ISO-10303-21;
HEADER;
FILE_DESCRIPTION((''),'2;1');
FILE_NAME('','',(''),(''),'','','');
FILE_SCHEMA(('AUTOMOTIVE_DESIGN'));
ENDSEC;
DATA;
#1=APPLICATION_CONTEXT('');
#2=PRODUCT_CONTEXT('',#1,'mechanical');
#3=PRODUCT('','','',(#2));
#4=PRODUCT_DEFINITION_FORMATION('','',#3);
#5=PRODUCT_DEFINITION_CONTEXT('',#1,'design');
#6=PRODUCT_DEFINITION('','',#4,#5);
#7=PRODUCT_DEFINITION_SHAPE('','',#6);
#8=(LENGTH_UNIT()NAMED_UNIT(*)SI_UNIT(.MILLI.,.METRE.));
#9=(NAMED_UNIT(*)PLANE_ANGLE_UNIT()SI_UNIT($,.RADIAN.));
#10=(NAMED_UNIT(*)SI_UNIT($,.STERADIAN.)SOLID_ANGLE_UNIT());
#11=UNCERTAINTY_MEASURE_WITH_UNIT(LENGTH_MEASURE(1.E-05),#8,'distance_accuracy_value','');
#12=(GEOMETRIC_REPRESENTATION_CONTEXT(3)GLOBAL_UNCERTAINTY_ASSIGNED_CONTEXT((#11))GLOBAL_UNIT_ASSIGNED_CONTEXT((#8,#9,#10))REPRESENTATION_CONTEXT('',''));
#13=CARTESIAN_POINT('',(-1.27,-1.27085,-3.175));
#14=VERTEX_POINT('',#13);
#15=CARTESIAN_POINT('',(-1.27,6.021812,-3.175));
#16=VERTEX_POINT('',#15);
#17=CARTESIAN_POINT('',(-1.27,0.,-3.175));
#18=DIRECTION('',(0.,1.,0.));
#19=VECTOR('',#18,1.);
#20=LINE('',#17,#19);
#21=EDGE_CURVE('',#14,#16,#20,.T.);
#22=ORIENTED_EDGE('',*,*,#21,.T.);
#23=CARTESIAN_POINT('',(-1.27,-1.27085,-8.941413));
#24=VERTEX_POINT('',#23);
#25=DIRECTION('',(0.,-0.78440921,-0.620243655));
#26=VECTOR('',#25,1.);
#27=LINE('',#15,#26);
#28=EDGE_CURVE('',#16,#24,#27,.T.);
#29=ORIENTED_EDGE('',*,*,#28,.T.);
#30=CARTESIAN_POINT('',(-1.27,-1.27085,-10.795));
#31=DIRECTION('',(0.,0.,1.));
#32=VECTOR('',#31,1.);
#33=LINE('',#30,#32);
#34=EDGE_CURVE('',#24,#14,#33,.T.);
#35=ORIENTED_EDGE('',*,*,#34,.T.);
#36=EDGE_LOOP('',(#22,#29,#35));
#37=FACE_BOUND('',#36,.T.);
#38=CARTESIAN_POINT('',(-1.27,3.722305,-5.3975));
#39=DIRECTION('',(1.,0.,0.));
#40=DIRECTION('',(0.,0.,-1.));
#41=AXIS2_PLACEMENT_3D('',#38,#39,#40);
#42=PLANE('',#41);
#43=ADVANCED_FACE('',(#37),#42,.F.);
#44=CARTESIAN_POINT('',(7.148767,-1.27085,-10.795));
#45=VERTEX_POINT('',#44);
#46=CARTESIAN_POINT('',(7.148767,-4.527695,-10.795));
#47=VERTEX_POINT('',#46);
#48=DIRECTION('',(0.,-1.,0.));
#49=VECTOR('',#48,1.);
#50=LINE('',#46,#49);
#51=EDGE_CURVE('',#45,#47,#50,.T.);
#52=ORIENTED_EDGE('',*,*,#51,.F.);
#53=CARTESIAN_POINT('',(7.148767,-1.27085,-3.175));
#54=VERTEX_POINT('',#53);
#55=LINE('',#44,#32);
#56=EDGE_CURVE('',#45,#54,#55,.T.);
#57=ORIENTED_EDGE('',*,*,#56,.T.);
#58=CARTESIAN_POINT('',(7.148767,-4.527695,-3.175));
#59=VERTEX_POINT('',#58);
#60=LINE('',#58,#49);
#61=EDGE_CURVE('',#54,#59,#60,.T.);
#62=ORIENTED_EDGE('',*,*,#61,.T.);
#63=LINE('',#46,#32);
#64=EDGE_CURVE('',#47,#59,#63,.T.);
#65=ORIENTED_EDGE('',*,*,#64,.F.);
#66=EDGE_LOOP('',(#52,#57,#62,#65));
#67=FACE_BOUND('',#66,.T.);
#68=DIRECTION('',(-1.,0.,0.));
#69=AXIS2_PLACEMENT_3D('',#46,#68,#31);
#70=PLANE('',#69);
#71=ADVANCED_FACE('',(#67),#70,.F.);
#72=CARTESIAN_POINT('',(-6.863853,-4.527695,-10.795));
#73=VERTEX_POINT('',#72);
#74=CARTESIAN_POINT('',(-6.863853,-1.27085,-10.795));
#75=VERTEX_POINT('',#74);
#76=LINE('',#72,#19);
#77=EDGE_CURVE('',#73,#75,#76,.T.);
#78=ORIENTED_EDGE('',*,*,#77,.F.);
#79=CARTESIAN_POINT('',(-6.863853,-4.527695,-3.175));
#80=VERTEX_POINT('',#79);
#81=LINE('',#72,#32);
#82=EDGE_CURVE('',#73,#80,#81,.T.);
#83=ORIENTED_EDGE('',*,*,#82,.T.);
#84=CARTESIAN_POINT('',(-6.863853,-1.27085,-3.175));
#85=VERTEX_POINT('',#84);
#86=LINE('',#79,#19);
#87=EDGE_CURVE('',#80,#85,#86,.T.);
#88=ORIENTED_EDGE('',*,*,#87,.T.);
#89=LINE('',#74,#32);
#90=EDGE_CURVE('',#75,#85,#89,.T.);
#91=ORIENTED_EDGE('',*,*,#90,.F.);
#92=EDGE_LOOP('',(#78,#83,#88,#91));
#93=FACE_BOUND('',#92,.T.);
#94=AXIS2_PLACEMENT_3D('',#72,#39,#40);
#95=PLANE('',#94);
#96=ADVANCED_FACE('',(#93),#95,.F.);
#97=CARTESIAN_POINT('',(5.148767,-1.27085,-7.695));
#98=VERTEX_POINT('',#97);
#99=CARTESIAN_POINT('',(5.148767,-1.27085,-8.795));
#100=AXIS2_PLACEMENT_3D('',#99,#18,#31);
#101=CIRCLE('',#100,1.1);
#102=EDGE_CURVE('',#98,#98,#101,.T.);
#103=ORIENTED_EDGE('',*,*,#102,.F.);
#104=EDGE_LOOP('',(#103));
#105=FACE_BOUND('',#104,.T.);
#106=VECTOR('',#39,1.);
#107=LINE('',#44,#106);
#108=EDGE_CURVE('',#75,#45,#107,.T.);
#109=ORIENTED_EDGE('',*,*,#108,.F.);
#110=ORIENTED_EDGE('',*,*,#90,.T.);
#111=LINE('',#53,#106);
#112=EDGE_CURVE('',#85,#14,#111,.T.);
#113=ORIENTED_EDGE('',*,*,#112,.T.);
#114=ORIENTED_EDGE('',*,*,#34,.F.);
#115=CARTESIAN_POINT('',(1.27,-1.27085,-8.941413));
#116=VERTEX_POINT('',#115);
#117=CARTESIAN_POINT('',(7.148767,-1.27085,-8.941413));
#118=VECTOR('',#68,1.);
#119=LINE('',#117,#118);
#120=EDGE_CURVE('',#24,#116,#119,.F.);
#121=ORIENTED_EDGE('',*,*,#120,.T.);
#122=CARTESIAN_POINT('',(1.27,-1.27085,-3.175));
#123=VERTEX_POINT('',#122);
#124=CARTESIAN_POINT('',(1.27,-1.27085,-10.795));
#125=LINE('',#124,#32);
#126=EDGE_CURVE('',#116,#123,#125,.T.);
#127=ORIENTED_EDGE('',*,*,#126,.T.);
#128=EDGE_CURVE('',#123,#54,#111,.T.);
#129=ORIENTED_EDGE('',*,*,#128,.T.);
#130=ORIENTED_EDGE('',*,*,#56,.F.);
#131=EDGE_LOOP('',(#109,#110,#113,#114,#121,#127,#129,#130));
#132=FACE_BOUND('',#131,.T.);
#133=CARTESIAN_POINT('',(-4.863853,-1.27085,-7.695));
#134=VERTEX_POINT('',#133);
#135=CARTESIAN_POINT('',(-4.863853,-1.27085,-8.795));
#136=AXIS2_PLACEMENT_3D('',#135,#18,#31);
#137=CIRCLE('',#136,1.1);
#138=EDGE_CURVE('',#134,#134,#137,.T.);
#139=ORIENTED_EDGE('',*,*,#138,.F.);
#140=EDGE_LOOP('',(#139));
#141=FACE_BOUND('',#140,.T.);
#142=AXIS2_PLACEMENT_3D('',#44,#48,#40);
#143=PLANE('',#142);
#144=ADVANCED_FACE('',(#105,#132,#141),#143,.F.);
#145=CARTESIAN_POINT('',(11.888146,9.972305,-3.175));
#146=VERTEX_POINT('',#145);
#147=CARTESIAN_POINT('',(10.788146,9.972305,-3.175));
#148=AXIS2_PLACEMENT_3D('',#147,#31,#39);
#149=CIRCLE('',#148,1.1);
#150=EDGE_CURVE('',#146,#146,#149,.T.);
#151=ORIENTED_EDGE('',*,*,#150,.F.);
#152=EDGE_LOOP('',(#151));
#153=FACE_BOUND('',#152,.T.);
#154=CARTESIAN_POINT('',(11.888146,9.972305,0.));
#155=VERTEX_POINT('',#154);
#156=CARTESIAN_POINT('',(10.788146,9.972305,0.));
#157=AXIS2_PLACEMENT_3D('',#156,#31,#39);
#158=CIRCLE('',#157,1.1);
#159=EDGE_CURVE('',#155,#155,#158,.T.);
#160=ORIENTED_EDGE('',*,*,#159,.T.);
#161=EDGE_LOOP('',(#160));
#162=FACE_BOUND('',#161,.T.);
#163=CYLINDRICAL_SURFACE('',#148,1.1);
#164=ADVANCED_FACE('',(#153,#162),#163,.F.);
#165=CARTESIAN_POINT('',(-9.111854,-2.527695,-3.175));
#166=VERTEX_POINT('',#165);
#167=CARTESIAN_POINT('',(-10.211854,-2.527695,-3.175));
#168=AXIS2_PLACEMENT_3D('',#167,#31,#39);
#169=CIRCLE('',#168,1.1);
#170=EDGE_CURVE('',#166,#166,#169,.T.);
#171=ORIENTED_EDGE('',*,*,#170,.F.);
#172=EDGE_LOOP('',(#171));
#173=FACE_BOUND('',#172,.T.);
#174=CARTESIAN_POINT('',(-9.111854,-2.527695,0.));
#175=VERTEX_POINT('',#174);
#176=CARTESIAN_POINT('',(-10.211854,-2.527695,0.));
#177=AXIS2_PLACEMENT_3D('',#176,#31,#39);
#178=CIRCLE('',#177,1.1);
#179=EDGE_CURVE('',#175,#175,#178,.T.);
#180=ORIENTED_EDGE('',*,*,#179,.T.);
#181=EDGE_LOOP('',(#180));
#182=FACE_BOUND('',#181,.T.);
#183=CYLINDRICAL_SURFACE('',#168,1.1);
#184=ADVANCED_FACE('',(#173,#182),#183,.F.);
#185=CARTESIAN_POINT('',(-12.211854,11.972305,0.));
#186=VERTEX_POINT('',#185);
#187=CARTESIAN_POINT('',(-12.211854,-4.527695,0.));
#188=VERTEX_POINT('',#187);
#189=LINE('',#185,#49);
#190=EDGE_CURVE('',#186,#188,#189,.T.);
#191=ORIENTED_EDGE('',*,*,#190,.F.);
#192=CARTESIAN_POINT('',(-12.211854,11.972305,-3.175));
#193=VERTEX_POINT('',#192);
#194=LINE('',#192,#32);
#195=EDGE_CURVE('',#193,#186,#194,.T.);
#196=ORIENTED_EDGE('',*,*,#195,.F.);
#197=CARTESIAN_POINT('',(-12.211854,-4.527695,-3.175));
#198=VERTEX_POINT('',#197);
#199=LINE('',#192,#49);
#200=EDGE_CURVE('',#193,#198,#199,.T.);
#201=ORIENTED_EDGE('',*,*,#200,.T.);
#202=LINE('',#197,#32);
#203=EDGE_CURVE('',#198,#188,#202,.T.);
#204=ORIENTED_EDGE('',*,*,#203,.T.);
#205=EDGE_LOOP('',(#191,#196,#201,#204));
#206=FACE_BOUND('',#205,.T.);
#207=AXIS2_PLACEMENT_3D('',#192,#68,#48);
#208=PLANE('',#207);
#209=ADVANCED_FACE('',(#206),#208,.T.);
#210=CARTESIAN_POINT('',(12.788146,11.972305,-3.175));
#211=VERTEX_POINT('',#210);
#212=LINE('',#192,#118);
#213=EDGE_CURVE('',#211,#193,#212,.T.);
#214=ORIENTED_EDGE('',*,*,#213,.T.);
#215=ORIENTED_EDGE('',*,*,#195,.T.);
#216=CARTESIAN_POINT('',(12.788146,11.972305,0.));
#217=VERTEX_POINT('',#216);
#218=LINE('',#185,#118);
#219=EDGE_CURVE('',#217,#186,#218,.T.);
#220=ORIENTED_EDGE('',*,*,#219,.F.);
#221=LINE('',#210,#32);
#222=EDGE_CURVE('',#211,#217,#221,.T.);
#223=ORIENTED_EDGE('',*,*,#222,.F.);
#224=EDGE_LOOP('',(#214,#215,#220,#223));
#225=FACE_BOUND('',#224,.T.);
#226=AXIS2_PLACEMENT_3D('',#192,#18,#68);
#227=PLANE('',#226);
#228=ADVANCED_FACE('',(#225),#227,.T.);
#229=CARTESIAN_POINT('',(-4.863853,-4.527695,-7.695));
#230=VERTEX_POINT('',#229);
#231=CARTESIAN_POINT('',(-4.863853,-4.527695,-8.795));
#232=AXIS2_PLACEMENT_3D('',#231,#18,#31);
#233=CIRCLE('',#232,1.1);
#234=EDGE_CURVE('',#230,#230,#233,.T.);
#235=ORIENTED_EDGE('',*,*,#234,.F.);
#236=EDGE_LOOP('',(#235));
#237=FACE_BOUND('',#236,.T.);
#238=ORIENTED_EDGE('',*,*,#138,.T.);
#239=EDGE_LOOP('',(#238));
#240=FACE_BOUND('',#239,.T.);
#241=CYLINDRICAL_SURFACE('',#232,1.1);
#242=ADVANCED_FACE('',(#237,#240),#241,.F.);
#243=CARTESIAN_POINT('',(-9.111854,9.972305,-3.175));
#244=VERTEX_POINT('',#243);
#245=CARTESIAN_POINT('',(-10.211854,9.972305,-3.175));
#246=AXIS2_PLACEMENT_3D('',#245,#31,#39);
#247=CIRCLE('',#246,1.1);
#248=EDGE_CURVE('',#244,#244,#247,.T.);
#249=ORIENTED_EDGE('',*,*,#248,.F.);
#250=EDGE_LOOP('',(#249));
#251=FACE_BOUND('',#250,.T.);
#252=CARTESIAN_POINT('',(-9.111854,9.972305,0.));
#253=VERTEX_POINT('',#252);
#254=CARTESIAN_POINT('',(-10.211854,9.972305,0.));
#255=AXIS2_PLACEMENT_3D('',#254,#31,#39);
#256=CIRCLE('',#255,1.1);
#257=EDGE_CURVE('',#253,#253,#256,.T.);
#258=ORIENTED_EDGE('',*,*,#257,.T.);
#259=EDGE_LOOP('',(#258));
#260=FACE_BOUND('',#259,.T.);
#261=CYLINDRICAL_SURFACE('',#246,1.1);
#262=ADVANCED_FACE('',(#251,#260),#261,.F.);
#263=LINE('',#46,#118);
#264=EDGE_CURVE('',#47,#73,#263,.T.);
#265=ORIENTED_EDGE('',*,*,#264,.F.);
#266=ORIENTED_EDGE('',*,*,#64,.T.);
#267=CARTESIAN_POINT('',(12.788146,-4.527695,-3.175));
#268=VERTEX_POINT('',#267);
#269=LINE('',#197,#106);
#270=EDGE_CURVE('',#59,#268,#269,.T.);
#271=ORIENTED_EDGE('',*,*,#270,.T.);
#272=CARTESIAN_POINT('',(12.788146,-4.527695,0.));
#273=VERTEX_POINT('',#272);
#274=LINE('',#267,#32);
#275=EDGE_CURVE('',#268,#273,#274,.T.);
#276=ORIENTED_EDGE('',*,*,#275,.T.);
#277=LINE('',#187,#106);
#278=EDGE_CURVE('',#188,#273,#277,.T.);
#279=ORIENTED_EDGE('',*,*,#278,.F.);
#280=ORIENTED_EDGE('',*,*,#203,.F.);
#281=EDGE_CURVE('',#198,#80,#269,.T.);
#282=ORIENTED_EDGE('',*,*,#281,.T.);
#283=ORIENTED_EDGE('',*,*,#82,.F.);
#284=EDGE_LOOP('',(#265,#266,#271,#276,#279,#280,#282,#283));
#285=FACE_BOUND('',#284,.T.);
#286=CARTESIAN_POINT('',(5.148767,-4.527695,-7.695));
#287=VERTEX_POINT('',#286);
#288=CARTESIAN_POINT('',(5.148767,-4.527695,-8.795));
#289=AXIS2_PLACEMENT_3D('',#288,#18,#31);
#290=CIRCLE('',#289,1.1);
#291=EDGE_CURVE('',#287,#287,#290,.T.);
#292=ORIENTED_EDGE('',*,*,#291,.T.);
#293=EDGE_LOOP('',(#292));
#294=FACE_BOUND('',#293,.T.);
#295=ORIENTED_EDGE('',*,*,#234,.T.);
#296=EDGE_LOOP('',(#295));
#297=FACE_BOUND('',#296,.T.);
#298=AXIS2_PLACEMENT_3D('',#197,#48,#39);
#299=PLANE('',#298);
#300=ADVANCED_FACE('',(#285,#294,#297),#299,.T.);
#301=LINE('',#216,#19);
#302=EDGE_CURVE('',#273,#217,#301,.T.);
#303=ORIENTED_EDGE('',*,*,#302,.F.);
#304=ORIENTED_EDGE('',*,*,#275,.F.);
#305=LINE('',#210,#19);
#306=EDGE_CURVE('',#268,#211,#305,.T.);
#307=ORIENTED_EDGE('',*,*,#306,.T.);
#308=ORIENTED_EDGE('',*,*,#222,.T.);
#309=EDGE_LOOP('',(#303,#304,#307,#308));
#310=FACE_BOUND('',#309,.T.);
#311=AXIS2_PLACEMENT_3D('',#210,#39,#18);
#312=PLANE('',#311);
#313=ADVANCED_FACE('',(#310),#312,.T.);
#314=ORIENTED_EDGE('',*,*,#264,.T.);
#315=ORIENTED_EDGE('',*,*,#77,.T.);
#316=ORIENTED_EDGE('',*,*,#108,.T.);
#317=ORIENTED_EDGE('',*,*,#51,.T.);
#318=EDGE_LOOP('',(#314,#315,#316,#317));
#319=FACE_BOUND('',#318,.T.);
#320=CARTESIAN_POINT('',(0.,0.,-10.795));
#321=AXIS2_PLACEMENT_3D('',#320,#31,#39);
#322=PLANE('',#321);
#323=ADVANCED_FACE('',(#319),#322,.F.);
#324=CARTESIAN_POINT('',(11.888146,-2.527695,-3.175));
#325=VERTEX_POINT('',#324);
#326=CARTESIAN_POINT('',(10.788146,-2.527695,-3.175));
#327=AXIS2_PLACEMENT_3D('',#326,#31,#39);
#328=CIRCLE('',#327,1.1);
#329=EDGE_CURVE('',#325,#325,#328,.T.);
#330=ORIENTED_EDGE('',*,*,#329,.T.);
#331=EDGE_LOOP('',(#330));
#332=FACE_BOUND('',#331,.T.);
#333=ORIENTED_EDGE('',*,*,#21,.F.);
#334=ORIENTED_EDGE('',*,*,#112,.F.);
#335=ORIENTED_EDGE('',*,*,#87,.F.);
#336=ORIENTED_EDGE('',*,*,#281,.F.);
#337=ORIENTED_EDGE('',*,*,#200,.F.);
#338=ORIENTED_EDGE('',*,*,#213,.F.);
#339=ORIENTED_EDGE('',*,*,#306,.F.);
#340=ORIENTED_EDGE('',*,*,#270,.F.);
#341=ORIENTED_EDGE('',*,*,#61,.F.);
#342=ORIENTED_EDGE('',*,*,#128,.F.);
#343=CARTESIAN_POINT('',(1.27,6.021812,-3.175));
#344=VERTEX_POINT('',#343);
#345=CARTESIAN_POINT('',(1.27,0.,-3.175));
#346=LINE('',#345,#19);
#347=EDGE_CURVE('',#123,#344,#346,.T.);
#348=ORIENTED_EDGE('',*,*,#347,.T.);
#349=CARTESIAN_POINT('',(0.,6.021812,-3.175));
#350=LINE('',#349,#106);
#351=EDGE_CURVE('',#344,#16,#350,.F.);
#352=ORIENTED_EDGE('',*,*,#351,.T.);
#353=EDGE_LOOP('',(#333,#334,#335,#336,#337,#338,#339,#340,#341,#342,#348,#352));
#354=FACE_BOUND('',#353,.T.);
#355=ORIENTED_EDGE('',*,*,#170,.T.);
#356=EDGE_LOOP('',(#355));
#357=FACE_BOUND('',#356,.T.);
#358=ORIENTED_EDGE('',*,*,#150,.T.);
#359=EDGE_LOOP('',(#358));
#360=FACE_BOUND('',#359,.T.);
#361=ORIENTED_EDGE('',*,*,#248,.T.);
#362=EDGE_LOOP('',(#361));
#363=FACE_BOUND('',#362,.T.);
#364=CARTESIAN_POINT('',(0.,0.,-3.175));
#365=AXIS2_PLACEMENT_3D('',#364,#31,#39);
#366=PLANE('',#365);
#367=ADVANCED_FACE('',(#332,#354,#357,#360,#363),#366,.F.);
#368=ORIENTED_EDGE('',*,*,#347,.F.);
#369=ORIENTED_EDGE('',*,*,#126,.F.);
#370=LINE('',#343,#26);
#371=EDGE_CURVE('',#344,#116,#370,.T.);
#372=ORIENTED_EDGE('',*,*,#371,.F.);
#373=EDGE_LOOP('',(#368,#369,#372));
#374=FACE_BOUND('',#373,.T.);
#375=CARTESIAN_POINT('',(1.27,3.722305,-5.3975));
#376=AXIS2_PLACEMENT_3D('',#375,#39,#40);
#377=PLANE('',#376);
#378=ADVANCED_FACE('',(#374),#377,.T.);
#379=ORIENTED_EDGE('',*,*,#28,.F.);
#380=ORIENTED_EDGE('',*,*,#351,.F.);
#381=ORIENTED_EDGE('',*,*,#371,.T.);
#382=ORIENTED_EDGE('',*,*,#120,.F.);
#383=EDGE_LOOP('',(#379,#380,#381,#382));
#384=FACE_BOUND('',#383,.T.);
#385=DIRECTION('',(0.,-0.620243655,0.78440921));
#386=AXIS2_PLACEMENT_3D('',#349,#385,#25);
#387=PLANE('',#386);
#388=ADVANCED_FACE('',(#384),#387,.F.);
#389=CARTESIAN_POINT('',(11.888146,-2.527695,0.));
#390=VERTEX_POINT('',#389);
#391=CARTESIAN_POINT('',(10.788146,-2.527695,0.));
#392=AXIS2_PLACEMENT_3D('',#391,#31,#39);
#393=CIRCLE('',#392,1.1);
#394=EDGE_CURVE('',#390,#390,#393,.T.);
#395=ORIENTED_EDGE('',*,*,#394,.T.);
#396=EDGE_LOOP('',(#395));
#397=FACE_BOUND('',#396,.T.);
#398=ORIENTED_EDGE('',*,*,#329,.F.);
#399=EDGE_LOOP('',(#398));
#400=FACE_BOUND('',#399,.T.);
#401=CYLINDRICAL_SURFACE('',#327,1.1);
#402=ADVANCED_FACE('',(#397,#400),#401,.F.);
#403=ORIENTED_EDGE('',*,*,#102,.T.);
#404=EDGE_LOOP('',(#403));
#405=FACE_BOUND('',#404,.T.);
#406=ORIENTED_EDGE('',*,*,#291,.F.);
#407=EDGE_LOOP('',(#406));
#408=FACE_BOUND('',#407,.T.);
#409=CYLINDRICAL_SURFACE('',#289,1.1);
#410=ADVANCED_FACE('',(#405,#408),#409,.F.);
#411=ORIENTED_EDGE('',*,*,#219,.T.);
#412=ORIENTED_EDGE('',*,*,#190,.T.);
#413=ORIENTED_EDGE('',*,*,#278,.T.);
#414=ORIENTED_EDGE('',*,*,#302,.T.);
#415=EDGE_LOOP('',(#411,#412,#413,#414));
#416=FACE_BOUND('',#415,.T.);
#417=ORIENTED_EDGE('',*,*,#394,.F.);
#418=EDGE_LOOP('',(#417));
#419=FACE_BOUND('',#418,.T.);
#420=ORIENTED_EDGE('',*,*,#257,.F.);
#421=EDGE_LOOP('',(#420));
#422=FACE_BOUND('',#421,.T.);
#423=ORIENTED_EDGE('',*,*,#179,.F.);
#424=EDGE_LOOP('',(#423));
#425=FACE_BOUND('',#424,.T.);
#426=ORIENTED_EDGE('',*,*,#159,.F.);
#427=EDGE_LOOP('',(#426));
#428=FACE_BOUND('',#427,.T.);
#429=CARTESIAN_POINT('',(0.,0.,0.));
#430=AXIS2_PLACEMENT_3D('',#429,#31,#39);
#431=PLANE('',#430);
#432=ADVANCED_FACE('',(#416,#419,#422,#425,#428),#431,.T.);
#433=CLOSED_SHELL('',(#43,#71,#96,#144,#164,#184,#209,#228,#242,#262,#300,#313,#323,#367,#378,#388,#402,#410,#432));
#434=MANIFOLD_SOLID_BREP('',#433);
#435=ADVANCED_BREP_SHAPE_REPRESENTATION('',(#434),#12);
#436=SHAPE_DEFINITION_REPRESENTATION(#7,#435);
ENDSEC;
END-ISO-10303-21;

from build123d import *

# Parameters (mm, degrees)
SKETCH1_W           = 25
SKETCH1_H           = 16.5
SKETCH1_R           = 1.1
BOSS_EXTRUDE3_DEPTH = 3.175
SKETCH4_W           = 14.012619733
SKETCH4_H           = 3.256845332
BOSS_EXTRUDE4_DEPTH = 7.62
RIB13_REACH         = 22.577
SKETCH8_WALL_W      = 52.139653992
SKETCH8_WALL_H      = 2.54
SKETCH11_R          = 1.1
CUT_EXTRUDE3_DEPTH  = 22.341270784


with BuildPart() as part:
    # Sketch1 → Boss-Extrude3 (new body)
    with BuildSketch(Plane.XY):
        with Locations((0.288145608, 3.722304951)):
            Rectangle(SKETCH1_W, SKETCH1_H)
        with Locations((-10.211854392, 9.972304951)):
            Circle(SKETCH1_R, mode=Mode.SUBTRACT)
        with Locations((-10.211854392, -2.527695049)):
            Circle(SKETCH1_R, mode=Mode.SUBTRACT)
        with Locations((10.788145608, 9.972304951)):
            Circle(SKETCH1_R, mode=Mode.SUBTRACT)
        with Locations((10.788145608, -2.527695049)):
            Circle(SKETCH1_R, mode=Mode.SUBTRACT)
    extrude(amount=-BOSS_EXTRUDE3_DEPTH)

    # Sketch4 → Boss-Extrude4 (add)
    with BuildSketch(Plane(origin=(0, 0, -3.175), x_dir=(-1, 0, 0), z_dir=(0, 0, -1))):
        with Locations((-0.142456745, -2.899272383)):
            Rectangle(SKETCH4_W, SKETCH4_H)
    extrude(amount=BOSS_EXTRUDE4_DEPTH)

    # Sketch8 wall → Rib13 (add, up to next)
    with BuildSketch(Plane(origin=(0, 2.497441859, -5.961770268), x_dir=(0, -0.784409210178, -0.620243654533), z_dir=(0, 0.620243654533, -0.784409210178)), mode=Mode.PRIVATE) as rib13_sk1:
        Rectangle(SKETCH8_WALL_W, SKETCH8_WALL_H)
    rib13_tool1 = extrude(rib13_sk1.sketch, amount=-RIB13_REACH, mode=Mode.PRIVATE) - part.part
    add(rib13_tool1.solids().sort_by_distance((0, 2.497441859, -5.961770268))[0])

    # Sketch11 → Cut-Extrude3 (cut, through all)
    with BuildSketch(Plane(origin=(0, -1.270849717, 0), x_dir=(1, 0, 0), z_dir=(0, 1, 0))):
        with Locations(Location((-4.863853122, 8.795, 0), (0, 0, 270))):
            Circle(SKETCH11_R)
        with Locations(Location((5.148766611, 8.795, 0), (0, 0, 270))):
            Circle(SKETCH11_R)
    extrude(amount=-CUT_EXTRUDE3_DEPTH, mode=Mode.SUBTRACT)


solid = part.part
